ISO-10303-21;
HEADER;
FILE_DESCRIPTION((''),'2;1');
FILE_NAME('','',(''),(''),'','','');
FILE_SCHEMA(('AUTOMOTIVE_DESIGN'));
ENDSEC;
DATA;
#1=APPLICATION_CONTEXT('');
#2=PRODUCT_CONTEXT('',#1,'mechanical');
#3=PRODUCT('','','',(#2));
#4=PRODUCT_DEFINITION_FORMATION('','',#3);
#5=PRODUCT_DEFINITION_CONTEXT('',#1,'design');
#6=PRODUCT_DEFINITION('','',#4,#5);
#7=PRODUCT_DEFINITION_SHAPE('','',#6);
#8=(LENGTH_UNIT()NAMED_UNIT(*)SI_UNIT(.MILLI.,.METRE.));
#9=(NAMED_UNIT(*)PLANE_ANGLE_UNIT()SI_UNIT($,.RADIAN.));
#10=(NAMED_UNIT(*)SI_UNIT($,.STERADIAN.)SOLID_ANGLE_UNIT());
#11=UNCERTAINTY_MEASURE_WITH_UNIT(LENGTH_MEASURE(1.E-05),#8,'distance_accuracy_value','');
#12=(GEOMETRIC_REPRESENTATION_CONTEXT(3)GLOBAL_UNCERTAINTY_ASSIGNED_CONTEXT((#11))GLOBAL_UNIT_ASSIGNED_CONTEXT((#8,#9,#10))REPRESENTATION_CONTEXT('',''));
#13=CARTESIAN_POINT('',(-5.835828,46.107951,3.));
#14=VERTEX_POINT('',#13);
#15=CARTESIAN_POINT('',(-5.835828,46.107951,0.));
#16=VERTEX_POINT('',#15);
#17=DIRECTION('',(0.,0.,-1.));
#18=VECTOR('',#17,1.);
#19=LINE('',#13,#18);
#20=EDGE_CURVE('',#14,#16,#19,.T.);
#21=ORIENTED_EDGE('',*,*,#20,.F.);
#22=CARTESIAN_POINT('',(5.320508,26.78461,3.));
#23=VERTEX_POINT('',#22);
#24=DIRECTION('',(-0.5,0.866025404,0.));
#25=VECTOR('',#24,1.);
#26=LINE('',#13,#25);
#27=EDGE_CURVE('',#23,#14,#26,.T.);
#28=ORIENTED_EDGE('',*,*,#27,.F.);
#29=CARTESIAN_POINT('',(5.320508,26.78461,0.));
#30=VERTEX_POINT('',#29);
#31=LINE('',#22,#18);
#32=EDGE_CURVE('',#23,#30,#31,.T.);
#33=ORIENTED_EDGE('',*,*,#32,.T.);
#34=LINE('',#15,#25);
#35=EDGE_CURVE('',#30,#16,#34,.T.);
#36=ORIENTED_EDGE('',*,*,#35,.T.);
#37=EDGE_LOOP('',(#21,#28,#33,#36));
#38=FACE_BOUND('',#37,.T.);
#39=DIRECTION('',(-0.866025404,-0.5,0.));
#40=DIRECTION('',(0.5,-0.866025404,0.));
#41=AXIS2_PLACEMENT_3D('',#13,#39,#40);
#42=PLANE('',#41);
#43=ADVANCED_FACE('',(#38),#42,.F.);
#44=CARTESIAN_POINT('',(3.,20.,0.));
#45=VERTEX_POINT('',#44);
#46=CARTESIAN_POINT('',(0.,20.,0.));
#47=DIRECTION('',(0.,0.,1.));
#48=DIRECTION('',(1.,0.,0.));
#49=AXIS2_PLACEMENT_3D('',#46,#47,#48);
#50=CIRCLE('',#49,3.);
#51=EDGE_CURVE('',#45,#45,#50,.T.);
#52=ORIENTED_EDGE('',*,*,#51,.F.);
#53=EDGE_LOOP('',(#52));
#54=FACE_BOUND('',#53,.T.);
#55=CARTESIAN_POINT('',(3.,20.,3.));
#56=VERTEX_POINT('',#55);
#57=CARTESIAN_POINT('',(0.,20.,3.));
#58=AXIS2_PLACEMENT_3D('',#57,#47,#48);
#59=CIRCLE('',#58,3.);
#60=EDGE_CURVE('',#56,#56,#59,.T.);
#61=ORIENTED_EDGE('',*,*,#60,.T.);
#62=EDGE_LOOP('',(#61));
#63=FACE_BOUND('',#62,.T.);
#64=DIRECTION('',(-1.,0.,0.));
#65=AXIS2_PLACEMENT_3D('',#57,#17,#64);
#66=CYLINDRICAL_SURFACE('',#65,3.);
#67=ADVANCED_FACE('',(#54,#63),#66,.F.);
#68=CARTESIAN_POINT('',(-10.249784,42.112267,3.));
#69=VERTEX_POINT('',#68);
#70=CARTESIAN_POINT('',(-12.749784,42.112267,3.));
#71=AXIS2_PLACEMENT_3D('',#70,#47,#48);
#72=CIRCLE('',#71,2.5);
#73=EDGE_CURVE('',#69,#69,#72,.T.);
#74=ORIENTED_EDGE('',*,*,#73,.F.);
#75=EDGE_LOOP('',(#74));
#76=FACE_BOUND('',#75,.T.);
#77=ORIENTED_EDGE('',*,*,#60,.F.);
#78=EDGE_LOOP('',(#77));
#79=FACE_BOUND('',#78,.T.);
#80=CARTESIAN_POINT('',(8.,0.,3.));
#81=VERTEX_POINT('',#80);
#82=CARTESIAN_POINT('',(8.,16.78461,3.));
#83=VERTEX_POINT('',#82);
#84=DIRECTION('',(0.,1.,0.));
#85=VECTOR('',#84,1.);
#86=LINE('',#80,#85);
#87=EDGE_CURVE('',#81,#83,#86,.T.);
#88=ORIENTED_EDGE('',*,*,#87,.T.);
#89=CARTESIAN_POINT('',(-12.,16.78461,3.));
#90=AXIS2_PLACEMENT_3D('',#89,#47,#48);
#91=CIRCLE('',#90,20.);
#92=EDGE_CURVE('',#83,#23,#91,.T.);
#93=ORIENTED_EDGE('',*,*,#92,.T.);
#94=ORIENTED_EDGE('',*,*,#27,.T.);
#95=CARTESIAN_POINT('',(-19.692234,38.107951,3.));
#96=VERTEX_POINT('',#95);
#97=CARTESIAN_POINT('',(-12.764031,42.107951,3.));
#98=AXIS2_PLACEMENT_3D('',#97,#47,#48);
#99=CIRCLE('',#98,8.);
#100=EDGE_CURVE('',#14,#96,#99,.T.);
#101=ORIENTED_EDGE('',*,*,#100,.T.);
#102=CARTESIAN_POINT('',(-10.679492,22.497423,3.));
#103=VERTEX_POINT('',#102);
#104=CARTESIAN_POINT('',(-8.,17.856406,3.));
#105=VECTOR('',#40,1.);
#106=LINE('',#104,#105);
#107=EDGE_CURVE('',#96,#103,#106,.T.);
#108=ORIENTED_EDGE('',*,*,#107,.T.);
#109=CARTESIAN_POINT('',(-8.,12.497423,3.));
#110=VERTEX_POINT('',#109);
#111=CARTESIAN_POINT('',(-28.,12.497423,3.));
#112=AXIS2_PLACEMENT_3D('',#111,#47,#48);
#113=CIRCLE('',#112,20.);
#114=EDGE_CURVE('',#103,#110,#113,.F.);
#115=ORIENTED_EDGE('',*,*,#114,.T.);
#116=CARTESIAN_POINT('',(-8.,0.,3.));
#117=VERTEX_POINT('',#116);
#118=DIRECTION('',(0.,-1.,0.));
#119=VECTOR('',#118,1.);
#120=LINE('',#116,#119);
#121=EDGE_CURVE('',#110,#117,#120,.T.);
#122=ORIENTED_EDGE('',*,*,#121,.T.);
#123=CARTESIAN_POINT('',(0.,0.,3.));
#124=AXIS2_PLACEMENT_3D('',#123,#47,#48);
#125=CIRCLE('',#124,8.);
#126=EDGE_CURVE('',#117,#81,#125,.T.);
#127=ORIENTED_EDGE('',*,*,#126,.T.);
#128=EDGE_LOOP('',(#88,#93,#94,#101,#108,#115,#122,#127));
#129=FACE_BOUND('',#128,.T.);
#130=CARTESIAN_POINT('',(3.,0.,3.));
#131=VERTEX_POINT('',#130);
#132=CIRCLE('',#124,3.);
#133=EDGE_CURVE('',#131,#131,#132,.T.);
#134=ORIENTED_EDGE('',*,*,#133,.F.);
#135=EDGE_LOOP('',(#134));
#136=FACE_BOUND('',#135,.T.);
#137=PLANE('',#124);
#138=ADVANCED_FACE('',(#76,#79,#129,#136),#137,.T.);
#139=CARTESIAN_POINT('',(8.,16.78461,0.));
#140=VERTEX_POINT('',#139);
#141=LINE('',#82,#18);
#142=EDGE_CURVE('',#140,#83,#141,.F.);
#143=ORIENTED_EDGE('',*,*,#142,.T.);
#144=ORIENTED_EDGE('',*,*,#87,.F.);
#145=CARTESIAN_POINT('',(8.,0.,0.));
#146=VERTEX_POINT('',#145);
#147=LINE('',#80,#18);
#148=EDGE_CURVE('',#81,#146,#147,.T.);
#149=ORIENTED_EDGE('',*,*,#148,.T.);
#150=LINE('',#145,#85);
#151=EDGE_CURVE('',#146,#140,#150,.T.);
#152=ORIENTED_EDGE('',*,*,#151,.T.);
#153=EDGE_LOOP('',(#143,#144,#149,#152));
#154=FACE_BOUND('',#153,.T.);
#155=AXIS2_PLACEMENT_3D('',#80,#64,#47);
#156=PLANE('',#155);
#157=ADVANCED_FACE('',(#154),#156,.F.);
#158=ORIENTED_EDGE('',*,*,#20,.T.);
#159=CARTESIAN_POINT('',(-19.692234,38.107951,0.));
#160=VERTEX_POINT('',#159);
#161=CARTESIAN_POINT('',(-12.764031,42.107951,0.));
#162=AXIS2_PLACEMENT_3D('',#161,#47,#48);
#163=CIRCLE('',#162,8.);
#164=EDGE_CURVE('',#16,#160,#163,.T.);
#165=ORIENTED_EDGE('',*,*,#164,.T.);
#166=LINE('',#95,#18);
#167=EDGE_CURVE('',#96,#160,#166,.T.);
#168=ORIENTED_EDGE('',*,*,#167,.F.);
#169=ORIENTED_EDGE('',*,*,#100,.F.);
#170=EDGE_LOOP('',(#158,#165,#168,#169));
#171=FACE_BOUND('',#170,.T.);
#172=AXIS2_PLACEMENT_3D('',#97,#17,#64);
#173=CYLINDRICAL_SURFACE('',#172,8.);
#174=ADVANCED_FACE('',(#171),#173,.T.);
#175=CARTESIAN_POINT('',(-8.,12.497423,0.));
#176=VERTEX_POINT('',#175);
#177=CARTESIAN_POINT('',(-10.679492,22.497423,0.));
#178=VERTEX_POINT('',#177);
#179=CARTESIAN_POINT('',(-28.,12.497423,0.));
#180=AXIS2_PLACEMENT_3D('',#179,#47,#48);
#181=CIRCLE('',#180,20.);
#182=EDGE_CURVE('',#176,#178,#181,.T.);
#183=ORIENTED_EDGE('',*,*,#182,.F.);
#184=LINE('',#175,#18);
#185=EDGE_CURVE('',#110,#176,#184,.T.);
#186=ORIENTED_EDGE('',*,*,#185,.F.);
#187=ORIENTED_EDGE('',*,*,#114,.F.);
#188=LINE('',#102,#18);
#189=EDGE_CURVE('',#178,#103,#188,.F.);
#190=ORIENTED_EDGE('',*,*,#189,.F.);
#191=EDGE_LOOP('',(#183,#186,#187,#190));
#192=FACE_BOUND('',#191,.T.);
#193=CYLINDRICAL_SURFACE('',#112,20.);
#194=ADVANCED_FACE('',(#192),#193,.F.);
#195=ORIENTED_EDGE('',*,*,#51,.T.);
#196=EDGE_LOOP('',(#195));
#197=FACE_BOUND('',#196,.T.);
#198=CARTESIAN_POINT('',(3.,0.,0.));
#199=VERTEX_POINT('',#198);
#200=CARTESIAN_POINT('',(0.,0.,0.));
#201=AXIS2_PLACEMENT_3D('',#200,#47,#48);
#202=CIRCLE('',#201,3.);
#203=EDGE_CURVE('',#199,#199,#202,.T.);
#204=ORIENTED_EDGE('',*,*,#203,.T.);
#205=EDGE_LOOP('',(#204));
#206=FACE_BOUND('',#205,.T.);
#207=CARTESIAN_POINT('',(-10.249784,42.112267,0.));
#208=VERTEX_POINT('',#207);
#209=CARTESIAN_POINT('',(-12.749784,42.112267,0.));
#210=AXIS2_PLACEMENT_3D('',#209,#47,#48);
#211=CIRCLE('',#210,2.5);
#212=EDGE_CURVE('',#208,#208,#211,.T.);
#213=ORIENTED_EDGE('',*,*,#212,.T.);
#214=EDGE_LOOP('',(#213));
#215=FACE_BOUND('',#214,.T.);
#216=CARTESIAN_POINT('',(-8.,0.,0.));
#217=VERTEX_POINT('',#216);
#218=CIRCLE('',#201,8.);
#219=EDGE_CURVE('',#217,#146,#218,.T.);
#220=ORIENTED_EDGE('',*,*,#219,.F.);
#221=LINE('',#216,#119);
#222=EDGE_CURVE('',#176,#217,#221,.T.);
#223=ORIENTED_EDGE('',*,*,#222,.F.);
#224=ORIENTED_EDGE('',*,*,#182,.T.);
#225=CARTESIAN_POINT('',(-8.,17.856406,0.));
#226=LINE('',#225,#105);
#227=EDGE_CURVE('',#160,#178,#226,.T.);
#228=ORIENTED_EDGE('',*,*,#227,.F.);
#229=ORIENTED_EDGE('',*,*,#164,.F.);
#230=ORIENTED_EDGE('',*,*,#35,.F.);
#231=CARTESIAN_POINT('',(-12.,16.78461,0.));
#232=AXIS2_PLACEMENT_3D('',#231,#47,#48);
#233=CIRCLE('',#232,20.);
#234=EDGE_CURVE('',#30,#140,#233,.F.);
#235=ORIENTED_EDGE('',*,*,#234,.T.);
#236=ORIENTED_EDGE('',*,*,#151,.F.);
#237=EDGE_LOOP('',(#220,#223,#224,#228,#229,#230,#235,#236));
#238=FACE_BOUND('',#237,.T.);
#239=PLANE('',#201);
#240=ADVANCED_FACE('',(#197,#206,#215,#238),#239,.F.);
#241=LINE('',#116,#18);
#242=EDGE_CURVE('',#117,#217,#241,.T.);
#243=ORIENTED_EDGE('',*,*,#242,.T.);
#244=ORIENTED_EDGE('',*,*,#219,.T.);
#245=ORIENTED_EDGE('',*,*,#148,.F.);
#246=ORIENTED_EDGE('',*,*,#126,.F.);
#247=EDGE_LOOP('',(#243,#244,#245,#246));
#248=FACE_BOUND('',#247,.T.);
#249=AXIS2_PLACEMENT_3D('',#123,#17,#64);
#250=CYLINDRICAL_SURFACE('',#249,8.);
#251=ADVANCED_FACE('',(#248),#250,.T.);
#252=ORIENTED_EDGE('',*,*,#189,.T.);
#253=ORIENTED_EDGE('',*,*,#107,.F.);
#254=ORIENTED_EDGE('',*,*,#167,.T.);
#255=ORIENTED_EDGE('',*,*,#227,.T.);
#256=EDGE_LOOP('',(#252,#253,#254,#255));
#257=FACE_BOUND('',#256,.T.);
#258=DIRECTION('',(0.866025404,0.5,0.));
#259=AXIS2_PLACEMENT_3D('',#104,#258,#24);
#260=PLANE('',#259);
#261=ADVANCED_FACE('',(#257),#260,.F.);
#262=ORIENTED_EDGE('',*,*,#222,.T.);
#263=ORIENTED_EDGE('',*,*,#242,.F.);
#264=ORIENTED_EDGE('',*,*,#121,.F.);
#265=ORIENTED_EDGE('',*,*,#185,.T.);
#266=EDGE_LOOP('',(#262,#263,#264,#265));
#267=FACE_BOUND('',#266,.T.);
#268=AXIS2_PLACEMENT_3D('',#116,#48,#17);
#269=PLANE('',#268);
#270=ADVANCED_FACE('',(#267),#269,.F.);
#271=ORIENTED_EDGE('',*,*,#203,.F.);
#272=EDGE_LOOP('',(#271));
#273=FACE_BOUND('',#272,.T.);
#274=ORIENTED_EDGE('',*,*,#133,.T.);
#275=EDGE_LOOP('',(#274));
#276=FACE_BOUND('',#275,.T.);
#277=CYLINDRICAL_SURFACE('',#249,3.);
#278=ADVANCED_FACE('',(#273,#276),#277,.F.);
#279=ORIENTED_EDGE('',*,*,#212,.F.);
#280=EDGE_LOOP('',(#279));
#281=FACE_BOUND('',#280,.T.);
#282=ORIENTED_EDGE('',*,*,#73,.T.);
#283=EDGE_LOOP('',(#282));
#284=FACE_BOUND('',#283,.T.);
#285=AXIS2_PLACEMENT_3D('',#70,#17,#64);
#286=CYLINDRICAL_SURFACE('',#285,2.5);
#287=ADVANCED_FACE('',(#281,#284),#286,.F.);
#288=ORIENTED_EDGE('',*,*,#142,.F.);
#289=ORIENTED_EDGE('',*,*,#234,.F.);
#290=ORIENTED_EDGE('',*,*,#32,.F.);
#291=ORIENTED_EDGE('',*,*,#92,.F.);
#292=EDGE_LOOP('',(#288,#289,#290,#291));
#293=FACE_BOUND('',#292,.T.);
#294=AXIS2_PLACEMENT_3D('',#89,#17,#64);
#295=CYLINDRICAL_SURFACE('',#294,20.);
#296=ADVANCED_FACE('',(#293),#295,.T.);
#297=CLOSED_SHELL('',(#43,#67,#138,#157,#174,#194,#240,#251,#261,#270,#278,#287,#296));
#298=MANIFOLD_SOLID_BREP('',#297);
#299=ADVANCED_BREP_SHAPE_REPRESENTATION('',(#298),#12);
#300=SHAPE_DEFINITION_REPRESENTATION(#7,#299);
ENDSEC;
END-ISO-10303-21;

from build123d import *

# Parameters (mm, degrees)
SKETCH1_R           = 3
SKETCH1_R_2         = 2.5
BOSS_EXTRUDE1_DEPTH = 3
FILLET1_R           = 20


with BuildPart() as part:
    # Sketch1 → Boss-Extrude1 (new body)
    with BuildSketch(Plane.XY):
        with BuildLine():
            Line((-8, 0), (-8, 17.856406461))
            Line((-8, 17.856406461), (-19.692234478, 38.107950631))
            ThreePointArc((-19.692234478, 38.107950631), (-16.764031248, 49.036153861), (-5.835828018, 46.107950631))
            Line((-5.835828018, 46.107950631), (8, 22.143593539))
            Line((8, 22.143593539), (8, 0))
            ThreePointArc((8, 0), (0, -8), (-8, 0))
        make_face()
        Circle(SKETCH1_R, mode=Mode.SUBTRACT)
        with Locations((0, 20)):
            Circle(SKETCH1_R, mode=Mode.SUBTRACT)
        with Locations((-12.749783974, 42.112266724)):
            Circle(SKETCH1_R_2, mode=Mode.SUBTRACT)
    extrude(amount=BOSS_EXTRUDE1_DEPTH)

    # Fillet1
    fillet1_edges = [part.edges().sort_by_distance(p)[0] for p in [
        (-8, 17.856406461, 1.5),
        (8, 22.143593539, 1.5),
    ]]
    fillet(fillet1_edges, radius=FILLET1_R)


solid = part.part
